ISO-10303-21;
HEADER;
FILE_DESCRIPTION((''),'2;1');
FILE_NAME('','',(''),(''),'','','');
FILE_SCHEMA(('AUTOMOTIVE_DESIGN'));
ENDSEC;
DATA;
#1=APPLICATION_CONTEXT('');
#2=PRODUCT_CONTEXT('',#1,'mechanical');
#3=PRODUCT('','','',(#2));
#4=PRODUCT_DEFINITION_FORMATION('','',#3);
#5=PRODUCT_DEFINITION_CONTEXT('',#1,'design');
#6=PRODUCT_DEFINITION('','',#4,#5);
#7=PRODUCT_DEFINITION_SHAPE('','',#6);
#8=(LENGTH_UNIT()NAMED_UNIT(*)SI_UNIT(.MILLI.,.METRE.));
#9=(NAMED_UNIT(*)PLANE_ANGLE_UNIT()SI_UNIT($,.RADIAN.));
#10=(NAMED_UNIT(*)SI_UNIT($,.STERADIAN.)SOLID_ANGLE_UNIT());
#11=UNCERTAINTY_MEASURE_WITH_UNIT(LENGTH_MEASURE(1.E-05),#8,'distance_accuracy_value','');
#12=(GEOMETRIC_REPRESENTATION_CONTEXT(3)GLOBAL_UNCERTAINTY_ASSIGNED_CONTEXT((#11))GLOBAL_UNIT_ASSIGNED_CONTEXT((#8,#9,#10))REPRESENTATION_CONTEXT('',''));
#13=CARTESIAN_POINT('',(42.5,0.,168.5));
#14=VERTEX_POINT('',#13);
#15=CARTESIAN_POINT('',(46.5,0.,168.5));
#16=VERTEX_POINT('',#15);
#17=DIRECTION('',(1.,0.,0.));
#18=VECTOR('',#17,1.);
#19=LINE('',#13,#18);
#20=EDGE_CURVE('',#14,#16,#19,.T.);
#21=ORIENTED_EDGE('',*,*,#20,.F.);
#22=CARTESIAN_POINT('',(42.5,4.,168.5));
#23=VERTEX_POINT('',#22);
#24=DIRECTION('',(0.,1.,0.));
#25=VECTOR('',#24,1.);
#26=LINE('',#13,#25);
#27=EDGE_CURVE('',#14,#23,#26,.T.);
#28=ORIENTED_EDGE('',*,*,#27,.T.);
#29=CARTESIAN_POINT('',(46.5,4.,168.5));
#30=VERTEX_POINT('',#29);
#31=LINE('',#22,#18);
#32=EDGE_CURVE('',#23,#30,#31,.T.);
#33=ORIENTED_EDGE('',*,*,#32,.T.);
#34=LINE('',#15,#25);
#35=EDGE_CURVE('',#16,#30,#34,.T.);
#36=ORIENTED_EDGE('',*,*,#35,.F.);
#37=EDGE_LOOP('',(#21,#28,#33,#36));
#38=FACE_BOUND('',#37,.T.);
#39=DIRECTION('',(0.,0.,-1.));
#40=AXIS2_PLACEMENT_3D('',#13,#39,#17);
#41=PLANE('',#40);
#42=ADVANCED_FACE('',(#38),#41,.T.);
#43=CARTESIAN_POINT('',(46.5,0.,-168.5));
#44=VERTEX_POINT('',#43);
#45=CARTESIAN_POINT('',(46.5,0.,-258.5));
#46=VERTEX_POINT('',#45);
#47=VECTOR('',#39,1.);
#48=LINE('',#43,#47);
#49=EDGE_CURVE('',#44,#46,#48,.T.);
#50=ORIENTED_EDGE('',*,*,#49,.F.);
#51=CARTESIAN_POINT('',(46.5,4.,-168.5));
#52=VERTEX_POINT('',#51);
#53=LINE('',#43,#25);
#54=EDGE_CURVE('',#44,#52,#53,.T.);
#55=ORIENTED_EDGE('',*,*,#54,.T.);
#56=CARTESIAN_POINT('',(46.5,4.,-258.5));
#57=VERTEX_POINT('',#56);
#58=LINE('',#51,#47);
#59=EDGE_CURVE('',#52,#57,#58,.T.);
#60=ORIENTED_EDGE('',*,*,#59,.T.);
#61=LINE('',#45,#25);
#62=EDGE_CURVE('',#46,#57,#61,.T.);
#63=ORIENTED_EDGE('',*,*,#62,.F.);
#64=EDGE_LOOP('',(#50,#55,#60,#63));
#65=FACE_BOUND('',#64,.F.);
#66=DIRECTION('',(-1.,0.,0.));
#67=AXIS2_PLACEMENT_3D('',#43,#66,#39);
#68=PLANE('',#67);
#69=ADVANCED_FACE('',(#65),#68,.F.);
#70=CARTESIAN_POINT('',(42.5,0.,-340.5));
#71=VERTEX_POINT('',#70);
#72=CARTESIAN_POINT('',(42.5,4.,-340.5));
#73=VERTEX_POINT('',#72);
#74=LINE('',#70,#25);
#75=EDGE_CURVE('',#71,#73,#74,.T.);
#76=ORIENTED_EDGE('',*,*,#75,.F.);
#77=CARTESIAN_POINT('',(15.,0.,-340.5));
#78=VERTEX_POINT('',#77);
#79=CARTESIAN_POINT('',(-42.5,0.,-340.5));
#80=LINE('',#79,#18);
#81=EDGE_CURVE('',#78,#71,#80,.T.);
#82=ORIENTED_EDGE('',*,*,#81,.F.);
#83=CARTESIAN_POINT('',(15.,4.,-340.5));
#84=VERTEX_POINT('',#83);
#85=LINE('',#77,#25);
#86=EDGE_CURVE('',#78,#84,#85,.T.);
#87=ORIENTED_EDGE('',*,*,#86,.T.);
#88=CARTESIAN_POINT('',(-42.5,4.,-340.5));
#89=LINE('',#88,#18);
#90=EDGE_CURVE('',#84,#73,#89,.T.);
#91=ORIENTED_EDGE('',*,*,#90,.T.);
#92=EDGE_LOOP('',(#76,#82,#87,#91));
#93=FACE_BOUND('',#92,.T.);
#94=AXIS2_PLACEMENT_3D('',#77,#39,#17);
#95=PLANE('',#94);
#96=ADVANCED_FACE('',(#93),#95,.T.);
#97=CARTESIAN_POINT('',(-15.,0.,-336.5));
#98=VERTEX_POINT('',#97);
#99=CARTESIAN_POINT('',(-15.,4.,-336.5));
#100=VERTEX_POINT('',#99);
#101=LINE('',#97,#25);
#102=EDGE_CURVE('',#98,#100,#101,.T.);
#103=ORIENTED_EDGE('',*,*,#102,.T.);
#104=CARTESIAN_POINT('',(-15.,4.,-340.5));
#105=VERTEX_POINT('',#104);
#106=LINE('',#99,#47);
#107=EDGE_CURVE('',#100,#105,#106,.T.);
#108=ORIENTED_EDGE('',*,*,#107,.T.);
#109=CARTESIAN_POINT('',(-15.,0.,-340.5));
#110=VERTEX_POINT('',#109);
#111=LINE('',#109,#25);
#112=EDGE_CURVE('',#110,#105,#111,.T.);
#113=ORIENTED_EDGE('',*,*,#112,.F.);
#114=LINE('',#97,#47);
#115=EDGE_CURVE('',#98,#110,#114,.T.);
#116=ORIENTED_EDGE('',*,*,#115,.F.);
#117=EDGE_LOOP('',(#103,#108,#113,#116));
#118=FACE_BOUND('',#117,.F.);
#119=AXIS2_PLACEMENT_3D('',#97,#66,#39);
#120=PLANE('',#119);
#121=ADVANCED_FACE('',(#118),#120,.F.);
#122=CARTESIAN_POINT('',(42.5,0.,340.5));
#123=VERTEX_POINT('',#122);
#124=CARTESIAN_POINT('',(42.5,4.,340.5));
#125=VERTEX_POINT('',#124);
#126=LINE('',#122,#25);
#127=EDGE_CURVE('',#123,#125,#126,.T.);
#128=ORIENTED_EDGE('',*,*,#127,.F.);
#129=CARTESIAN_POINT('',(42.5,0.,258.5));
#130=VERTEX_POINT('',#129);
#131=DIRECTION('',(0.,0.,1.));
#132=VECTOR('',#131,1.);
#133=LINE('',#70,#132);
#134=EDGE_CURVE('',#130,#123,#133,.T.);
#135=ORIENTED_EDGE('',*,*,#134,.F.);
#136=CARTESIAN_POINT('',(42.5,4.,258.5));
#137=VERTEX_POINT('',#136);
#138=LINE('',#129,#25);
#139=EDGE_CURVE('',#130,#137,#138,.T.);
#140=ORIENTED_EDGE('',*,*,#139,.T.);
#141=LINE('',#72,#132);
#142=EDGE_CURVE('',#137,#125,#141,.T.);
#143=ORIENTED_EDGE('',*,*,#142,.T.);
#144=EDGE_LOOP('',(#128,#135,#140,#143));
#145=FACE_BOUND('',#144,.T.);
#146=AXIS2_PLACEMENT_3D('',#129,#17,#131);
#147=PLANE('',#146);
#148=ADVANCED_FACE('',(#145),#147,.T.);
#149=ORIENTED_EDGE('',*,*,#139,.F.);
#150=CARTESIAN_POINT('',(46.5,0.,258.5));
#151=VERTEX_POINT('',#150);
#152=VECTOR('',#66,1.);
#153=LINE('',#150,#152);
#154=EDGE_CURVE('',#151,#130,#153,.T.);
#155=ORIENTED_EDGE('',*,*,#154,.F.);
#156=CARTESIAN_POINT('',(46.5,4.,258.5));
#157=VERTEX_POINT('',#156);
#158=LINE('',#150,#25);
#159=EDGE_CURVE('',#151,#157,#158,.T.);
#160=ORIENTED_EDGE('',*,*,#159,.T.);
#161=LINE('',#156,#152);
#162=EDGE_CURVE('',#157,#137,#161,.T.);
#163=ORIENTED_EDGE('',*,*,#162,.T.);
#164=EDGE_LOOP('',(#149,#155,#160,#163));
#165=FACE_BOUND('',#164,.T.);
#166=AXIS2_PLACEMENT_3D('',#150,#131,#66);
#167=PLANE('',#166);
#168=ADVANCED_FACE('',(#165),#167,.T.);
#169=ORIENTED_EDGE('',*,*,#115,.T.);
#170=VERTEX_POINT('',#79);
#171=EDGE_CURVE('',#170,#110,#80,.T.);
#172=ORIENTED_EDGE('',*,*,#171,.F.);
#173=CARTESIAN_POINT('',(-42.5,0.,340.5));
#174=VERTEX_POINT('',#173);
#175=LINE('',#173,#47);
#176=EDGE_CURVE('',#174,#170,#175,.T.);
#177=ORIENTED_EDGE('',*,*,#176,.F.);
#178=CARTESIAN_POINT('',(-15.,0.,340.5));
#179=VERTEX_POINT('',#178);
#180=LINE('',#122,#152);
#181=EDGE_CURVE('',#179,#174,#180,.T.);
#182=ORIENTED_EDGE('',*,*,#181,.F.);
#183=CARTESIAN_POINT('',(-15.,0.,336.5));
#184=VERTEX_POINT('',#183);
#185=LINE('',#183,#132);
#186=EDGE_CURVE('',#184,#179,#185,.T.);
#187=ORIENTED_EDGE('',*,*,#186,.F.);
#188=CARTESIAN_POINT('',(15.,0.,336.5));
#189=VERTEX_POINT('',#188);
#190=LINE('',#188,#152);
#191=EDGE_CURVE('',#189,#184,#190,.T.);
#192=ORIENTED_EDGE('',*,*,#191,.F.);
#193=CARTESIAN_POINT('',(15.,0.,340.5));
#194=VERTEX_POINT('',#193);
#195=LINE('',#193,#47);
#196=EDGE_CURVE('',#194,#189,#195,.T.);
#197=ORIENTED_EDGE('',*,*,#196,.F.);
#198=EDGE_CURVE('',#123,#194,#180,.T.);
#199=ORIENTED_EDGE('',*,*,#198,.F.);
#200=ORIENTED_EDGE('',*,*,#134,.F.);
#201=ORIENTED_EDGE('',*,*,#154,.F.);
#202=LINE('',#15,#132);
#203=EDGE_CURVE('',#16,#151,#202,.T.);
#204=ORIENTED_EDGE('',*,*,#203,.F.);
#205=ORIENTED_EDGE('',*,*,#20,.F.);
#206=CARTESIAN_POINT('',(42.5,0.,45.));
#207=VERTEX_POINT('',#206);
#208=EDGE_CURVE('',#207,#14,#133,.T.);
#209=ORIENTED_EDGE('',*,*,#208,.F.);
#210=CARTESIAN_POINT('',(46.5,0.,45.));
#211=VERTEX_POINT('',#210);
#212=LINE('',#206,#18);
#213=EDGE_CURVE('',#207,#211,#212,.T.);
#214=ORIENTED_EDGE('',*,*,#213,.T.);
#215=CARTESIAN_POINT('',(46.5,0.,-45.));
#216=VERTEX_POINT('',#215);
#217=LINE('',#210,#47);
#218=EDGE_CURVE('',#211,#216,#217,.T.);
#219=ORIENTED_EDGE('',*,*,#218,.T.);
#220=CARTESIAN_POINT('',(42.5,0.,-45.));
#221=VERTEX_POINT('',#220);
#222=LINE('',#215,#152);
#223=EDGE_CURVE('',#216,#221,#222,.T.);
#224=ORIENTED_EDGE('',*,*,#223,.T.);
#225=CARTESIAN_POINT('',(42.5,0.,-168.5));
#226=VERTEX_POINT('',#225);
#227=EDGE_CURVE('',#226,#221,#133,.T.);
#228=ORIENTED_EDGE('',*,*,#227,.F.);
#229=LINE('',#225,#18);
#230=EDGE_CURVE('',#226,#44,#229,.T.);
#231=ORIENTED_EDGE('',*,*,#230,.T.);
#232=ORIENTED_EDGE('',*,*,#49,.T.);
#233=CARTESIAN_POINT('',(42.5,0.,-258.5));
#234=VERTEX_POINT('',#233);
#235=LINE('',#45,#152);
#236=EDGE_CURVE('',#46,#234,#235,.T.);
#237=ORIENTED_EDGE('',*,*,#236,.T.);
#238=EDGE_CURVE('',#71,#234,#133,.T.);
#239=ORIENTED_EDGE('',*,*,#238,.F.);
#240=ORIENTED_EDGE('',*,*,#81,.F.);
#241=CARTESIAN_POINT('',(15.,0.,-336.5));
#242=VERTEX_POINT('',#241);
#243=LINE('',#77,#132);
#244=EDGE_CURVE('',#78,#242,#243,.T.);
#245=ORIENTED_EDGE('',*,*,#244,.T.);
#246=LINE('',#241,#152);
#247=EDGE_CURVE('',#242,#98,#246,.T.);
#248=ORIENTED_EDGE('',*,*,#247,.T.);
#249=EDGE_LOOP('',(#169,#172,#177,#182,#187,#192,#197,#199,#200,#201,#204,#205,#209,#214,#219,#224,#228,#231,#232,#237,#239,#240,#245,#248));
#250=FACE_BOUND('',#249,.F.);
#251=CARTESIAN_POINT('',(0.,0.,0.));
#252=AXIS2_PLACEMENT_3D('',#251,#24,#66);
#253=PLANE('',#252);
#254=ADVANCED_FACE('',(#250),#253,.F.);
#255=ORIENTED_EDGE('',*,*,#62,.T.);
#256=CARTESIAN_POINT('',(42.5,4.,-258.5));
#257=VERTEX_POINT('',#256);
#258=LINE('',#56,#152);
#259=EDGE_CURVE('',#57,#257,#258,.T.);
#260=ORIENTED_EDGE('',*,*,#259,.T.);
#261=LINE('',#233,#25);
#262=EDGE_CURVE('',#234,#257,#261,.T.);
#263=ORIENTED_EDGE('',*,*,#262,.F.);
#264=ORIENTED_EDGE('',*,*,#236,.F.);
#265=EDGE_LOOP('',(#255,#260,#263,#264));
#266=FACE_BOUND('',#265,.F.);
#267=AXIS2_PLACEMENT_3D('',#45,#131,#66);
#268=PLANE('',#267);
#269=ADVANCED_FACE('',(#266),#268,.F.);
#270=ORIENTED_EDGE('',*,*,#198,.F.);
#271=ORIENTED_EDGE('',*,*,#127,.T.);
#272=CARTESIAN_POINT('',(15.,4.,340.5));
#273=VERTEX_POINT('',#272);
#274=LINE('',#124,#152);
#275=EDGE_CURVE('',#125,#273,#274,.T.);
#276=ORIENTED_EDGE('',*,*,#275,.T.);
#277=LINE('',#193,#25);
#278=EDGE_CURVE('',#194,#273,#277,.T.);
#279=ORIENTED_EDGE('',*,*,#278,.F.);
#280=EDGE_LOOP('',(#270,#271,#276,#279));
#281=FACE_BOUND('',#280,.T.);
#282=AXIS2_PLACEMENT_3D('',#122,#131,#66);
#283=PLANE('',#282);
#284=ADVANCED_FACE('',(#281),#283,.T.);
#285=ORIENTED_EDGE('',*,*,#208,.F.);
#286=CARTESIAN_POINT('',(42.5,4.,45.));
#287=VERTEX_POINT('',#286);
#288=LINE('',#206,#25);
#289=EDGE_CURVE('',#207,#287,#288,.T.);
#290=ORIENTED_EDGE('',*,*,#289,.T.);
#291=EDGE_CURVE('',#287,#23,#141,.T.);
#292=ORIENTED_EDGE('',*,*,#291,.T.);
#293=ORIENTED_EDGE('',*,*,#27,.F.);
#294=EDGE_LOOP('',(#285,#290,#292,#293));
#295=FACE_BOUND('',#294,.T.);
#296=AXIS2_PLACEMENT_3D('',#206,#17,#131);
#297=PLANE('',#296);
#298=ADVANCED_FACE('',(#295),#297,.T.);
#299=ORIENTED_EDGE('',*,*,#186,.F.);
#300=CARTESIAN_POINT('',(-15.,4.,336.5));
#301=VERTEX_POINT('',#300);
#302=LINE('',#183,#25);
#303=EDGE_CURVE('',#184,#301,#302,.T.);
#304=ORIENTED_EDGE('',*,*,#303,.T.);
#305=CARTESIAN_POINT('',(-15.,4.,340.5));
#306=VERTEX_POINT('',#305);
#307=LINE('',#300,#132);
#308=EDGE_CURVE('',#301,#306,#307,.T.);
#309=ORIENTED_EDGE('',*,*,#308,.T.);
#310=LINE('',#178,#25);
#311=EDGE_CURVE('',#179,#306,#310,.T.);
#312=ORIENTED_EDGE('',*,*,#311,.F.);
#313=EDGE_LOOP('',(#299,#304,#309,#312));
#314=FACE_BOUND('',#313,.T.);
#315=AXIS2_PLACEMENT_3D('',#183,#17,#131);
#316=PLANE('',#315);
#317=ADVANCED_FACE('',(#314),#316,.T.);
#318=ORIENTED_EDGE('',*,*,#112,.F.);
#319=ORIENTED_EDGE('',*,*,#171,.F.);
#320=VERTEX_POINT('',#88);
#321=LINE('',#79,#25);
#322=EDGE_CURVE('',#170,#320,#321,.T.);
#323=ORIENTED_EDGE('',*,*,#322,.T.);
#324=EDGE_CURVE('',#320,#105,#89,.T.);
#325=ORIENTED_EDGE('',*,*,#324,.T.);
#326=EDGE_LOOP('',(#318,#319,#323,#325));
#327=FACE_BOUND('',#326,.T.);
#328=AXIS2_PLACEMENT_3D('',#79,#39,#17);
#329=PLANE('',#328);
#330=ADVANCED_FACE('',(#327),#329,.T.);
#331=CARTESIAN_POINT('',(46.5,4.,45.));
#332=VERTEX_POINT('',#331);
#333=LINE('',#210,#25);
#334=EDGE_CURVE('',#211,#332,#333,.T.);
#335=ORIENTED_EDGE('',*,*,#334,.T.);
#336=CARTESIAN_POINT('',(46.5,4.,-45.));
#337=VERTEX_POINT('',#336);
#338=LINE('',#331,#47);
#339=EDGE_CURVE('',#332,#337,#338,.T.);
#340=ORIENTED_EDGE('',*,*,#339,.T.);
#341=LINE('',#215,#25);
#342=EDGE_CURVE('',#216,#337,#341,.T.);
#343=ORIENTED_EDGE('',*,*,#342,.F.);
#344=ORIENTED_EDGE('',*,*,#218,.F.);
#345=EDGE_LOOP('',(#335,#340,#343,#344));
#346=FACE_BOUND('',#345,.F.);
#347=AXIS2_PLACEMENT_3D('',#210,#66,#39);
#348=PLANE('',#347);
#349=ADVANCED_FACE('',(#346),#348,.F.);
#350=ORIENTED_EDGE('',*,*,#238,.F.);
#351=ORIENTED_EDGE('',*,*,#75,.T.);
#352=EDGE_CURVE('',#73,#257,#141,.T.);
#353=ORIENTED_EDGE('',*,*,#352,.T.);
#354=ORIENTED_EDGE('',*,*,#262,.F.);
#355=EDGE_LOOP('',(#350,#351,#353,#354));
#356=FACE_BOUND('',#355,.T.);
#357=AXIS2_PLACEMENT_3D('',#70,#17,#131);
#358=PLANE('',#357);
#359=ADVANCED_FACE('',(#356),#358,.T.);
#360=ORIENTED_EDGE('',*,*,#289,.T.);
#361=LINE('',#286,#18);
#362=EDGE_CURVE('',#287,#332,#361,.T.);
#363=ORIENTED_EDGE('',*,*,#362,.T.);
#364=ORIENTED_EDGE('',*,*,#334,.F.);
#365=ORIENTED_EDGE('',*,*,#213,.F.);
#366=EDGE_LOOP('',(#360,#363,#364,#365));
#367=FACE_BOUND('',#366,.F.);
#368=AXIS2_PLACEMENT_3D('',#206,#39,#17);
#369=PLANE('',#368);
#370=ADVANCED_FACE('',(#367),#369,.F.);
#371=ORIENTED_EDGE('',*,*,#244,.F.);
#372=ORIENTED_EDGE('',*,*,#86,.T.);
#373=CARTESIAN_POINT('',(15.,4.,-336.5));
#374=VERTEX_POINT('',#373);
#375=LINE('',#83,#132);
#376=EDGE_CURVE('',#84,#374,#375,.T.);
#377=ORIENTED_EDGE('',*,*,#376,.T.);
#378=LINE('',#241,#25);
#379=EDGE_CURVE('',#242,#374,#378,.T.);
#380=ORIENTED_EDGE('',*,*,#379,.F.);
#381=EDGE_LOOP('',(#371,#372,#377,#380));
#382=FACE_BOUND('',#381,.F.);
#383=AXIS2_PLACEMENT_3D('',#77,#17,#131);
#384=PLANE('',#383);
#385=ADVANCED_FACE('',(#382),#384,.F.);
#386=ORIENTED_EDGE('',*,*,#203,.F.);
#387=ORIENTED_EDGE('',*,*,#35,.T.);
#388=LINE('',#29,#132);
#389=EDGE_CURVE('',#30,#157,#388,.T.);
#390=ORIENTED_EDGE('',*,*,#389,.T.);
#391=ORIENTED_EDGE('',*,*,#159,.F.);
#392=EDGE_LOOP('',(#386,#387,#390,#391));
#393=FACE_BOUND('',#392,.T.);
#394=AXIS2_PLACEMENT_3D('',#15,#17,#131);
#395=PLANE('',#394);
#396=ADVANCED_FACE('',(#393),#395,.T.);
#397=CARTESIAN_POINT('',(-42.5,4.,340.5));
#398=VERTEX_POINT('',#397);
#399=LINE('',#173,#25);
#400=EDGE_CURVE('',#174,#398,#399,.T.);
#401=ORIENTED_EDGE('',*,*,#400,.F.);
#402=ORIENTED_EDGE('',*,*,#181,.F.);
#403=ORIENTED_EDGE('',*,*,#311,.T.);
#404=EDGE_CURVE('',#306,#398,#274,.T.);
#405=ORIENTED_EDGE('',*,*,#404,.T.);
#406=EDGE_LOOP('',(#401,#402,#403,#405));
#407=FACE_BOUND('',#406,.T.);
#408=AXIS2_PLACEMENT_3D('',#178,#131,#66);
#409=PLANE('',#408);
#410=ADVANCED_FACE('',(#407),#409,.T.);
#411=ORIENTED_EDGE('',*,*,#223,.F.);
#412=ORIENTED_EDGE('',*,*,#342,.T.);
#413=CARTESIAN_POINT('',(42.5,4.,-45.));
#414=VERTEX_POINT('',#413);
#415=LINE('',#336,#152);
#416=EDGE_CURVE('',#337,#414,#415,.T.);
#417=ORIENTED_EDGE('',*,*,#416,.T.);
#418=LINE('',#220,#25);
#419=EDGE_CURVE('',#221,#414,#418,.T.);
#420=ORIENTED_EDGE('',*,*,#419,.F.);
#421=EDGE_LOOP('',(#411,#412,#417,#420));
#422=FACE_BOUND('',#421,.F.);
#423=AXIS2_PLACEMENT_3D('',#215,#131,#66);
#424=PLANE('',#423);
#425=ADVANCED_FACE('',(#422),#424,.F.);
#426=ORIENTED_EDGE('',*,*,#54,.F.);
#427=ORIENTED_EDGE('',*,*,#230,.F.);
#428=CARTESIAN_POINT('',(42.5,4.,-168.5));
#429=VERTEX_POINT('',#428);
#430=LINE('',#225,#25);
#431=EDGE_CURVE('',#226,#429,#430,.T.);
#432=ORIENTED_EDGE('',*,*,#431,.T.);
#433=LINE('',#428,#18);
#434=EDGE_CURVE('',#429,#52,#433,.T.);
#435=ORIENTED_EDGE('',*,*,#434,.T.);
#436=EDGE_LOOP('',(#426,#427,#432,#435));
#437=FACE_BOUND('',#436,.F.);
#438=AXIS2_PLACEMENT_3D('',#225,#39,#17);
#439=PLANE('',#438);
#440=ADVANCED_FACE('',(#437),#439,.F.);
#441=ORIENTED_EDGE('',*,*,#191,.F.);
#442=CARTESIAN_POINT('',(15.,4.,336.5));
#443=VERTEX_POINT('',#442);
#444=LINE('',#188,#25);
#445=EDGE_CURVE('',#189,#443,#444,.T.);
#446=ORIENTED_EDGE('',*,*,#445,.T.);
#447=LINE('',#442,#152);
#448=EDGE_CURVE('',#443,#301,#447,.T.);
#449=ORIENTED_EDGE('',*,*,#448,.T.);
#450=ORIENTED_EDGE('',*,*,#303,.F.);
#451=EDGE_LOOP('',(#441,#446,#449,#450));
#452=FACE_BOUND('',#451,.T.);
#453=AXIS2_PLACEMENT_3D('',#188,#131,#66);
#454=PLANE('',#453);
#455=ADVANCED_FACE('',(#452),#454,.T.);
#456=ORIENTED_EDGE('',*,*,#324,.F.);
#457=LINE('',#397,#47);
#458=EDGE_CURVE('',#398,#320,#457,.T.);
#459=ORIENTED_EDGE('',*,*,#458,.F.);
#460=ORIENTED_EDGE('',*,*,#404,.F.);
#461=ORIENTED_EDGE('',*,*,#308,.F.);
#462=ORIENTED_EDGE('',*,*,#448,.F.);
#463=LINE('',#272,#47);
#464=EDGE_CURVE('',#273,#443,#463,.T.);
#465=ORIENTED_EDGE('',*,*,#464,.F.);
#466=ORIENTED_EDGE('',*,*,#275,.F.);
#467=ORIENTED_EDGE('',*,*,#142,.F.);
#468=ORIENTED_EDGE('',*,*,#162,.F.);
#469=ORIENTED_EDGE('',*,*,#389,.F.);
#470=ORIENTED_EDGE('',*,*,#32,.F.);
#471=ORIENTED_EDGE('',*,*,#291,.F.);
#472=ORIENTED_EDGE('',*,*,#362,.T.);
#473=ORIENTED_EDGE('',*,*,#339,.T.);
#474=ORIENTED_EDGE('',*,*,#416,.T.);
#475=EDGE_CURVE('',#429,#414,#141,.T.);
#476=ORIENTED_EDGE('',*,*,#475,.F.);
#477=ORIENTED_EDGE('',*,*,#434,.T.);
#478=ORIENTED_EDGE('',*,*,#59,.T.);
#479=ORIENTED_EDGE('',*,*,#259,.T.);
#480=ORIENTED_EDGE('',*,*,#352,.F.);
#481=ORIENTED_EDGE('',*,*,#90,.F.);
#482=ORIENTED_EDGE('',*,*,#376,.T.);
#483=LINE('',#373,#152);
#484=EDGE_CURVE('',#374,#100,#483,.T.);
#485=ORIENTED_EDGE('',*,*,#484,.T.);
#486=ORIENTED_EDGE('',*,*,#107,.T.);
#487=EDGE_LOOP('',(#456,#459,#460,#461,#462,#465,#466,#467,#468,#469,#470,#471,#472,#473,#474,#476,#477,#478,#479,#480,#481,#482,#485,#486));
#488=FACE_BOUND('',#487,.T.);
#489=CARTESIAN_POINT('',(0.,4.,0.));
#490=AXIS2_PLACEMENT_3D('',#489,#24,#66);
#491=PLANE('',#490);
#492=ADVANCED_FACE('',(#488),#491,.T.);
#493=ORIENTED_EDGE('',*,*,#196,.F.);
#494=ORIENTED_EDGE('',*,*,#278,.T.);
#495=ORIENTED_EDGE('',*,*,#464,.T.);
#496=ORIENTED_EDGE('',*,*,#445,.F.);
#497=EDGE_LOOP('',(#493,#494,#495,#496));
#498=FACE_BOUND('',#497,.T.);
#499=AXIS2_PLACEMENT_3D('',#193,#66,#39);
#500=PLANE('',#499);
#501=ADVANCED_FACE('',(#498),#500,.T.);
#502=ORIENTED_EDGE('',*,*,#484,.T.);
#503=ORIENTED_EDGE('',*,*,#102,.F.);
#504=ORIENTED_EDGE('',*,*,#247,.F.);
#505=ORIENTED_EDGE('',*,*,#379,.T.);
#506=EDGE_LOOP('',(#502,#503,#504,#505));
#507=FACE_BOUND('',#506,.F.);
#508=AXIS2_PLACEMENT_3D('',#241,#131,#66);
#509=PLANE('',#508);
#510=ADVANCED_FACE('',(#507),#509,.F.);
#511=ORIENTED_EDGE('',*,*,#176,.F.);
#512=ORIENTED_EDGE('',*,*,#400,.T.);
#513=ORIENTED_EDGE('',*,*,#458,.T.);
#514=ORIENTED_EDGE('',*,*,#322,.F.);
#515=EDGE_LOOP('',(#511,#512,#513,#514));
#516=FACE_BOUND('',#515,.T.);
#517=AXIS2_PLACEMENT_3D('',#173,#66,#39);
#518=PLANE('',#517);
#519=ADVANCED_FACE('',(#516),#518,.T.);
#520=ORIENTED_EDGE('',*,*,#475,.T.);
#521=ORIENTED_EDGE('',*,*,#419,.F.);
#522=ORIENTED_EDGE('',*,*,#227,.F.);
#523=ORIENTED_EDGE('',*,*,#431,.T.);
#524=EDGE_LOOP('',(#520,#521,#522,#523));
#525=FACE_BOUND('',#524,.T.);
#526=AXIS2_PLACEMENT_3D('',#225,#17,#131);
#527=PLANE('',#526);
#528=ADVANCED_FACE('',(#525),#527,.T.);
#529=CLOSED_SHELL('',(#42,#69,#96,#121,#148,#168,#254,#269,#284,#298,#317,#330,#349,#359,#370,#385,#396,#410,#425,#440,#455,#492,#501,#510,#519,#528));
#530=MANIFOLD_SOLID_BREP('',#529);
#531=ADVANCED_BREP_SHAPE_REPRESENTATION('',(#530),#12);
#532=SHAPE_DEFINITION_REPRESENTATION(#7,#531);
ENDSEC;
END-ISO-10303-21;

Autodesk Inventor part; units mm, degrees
ref_plane "YZ Plane" through (0, 0, 0) normal (1, 0, 0) x (0, 1, 0)
ref_plane "XZ Plane" through (0, 0, 0) normal (0, 1, 0) x (-1, 0, 0)
ref_plane "XY Plane" through (0, 0, 0) normal (0, 0, 1) x (1, 0, 0)
sketch "Эскиз1" plane through (0, 0, 0) normal (0, 1, 0) x (-1, 0, 0)
  line L0 (-42.5, 340.5) -> (42.5, 340.5)
  line L1 (42.5, 340.5) -> (42.5, -340.5)
  line L2 (42.5, -340.5) -> (-42.5, -340.5)
  line L3 (-42.5, -340.5) -> (-42.5, 340.5)
  line L4 (-42.5, 340.5) -> (42.5, -340.5) construction
  line L5 (42.5, 340.5) -> (-42.5, -340.5) construction
  line L6 (-42.5, 258.5) -> (-42.5, 168.5)
  line L7 (-42.5, 168.5) -> (-46.5, 168.5)
  line L8 (-46.5, 168.5) -> (-46.5, 258.5)
  line L9 (-46.5, 258.5) -> (-42.5, 258.5)
  line L10 (0, 0) -> (-44.5, 0) construction
  line L11 (-42.5, -258.5) -> (-42.5, -168.5)
  line L12 (-42.5, -168.5) -> (-46.5, -168.5)
  line L13 (-46.5, -168.5) -> (-46.5, -258.5)
  line L14 (-46.5, -258.5) -> (-42.5, -258.5)
  line L15 (-42.5, 45) -> (-46.5, 45)
  line L16 (-46.5, 45) -> (-46.5, -45)
  line L17 (-46.5, -45) -> (-42.5, -45)
  line L18 (-42.5, -45) -> (-42.5, 45)
  line L19 (-42.5, 45) -> (-46.5, -45) construction
  line L20 (-46.5, 45) -> (-42.5, -45) construction
  line L21 (-15, 336.5) -> (15, 336.5)
  line L22 (15, 336.5) -> (15, 340.5)
  line L23 (15, 340.5) -> (-15, 340.5)
  line L24 (-15, 340.5) -> (-15, 336.5)
  line L25 (-15, 336.5) -> (15, 340.5) construction
  line L26 (15, 336.5) -> (-15, 340.5) construction
  line L27 (0, 47.7496) -> (0, 0) construction
  line L28 (-15, -336.5) -> (15, -336.5)
  line L29 (15, -336.5) -> (15, -340.5)
  line L30 (15, -340.5) -> (-15, -340.5)
  line L31 (-15, -340.5) -> (-15, -336.5)
  point P0 (-42.5, -168.5)
  point P1 (-42.5, -258.5)
  point P2 (-44.5, 0)
  point P3 (-42.5, -45)
  point P4 (-42.5, 45)
  point P5 (0, 338.5)
  point P6 (-15, -340.5)
  point P7 (15, -340.5)
  dimension "d0" = 681
  dimension "d1" = 85
  dimension "d2" = 4
  dimension "d3" = 90
  dimension "d7" = 90
  dimension "d8" = 4
  dimension "d9" = 4
  dimension "d10" = 30
  dimension "d11" = 123.5
extrude "Выдавливание1" add sketch "Эскиз1" along normal blind 4 contours L0 L24 L21 L22 L1 L2 L29 L28 L31 L3 | L3 L7 L8 L9 | L3 L17 L16 L15 | L3 L14 L13 L12
properties part number "стенка 1"
